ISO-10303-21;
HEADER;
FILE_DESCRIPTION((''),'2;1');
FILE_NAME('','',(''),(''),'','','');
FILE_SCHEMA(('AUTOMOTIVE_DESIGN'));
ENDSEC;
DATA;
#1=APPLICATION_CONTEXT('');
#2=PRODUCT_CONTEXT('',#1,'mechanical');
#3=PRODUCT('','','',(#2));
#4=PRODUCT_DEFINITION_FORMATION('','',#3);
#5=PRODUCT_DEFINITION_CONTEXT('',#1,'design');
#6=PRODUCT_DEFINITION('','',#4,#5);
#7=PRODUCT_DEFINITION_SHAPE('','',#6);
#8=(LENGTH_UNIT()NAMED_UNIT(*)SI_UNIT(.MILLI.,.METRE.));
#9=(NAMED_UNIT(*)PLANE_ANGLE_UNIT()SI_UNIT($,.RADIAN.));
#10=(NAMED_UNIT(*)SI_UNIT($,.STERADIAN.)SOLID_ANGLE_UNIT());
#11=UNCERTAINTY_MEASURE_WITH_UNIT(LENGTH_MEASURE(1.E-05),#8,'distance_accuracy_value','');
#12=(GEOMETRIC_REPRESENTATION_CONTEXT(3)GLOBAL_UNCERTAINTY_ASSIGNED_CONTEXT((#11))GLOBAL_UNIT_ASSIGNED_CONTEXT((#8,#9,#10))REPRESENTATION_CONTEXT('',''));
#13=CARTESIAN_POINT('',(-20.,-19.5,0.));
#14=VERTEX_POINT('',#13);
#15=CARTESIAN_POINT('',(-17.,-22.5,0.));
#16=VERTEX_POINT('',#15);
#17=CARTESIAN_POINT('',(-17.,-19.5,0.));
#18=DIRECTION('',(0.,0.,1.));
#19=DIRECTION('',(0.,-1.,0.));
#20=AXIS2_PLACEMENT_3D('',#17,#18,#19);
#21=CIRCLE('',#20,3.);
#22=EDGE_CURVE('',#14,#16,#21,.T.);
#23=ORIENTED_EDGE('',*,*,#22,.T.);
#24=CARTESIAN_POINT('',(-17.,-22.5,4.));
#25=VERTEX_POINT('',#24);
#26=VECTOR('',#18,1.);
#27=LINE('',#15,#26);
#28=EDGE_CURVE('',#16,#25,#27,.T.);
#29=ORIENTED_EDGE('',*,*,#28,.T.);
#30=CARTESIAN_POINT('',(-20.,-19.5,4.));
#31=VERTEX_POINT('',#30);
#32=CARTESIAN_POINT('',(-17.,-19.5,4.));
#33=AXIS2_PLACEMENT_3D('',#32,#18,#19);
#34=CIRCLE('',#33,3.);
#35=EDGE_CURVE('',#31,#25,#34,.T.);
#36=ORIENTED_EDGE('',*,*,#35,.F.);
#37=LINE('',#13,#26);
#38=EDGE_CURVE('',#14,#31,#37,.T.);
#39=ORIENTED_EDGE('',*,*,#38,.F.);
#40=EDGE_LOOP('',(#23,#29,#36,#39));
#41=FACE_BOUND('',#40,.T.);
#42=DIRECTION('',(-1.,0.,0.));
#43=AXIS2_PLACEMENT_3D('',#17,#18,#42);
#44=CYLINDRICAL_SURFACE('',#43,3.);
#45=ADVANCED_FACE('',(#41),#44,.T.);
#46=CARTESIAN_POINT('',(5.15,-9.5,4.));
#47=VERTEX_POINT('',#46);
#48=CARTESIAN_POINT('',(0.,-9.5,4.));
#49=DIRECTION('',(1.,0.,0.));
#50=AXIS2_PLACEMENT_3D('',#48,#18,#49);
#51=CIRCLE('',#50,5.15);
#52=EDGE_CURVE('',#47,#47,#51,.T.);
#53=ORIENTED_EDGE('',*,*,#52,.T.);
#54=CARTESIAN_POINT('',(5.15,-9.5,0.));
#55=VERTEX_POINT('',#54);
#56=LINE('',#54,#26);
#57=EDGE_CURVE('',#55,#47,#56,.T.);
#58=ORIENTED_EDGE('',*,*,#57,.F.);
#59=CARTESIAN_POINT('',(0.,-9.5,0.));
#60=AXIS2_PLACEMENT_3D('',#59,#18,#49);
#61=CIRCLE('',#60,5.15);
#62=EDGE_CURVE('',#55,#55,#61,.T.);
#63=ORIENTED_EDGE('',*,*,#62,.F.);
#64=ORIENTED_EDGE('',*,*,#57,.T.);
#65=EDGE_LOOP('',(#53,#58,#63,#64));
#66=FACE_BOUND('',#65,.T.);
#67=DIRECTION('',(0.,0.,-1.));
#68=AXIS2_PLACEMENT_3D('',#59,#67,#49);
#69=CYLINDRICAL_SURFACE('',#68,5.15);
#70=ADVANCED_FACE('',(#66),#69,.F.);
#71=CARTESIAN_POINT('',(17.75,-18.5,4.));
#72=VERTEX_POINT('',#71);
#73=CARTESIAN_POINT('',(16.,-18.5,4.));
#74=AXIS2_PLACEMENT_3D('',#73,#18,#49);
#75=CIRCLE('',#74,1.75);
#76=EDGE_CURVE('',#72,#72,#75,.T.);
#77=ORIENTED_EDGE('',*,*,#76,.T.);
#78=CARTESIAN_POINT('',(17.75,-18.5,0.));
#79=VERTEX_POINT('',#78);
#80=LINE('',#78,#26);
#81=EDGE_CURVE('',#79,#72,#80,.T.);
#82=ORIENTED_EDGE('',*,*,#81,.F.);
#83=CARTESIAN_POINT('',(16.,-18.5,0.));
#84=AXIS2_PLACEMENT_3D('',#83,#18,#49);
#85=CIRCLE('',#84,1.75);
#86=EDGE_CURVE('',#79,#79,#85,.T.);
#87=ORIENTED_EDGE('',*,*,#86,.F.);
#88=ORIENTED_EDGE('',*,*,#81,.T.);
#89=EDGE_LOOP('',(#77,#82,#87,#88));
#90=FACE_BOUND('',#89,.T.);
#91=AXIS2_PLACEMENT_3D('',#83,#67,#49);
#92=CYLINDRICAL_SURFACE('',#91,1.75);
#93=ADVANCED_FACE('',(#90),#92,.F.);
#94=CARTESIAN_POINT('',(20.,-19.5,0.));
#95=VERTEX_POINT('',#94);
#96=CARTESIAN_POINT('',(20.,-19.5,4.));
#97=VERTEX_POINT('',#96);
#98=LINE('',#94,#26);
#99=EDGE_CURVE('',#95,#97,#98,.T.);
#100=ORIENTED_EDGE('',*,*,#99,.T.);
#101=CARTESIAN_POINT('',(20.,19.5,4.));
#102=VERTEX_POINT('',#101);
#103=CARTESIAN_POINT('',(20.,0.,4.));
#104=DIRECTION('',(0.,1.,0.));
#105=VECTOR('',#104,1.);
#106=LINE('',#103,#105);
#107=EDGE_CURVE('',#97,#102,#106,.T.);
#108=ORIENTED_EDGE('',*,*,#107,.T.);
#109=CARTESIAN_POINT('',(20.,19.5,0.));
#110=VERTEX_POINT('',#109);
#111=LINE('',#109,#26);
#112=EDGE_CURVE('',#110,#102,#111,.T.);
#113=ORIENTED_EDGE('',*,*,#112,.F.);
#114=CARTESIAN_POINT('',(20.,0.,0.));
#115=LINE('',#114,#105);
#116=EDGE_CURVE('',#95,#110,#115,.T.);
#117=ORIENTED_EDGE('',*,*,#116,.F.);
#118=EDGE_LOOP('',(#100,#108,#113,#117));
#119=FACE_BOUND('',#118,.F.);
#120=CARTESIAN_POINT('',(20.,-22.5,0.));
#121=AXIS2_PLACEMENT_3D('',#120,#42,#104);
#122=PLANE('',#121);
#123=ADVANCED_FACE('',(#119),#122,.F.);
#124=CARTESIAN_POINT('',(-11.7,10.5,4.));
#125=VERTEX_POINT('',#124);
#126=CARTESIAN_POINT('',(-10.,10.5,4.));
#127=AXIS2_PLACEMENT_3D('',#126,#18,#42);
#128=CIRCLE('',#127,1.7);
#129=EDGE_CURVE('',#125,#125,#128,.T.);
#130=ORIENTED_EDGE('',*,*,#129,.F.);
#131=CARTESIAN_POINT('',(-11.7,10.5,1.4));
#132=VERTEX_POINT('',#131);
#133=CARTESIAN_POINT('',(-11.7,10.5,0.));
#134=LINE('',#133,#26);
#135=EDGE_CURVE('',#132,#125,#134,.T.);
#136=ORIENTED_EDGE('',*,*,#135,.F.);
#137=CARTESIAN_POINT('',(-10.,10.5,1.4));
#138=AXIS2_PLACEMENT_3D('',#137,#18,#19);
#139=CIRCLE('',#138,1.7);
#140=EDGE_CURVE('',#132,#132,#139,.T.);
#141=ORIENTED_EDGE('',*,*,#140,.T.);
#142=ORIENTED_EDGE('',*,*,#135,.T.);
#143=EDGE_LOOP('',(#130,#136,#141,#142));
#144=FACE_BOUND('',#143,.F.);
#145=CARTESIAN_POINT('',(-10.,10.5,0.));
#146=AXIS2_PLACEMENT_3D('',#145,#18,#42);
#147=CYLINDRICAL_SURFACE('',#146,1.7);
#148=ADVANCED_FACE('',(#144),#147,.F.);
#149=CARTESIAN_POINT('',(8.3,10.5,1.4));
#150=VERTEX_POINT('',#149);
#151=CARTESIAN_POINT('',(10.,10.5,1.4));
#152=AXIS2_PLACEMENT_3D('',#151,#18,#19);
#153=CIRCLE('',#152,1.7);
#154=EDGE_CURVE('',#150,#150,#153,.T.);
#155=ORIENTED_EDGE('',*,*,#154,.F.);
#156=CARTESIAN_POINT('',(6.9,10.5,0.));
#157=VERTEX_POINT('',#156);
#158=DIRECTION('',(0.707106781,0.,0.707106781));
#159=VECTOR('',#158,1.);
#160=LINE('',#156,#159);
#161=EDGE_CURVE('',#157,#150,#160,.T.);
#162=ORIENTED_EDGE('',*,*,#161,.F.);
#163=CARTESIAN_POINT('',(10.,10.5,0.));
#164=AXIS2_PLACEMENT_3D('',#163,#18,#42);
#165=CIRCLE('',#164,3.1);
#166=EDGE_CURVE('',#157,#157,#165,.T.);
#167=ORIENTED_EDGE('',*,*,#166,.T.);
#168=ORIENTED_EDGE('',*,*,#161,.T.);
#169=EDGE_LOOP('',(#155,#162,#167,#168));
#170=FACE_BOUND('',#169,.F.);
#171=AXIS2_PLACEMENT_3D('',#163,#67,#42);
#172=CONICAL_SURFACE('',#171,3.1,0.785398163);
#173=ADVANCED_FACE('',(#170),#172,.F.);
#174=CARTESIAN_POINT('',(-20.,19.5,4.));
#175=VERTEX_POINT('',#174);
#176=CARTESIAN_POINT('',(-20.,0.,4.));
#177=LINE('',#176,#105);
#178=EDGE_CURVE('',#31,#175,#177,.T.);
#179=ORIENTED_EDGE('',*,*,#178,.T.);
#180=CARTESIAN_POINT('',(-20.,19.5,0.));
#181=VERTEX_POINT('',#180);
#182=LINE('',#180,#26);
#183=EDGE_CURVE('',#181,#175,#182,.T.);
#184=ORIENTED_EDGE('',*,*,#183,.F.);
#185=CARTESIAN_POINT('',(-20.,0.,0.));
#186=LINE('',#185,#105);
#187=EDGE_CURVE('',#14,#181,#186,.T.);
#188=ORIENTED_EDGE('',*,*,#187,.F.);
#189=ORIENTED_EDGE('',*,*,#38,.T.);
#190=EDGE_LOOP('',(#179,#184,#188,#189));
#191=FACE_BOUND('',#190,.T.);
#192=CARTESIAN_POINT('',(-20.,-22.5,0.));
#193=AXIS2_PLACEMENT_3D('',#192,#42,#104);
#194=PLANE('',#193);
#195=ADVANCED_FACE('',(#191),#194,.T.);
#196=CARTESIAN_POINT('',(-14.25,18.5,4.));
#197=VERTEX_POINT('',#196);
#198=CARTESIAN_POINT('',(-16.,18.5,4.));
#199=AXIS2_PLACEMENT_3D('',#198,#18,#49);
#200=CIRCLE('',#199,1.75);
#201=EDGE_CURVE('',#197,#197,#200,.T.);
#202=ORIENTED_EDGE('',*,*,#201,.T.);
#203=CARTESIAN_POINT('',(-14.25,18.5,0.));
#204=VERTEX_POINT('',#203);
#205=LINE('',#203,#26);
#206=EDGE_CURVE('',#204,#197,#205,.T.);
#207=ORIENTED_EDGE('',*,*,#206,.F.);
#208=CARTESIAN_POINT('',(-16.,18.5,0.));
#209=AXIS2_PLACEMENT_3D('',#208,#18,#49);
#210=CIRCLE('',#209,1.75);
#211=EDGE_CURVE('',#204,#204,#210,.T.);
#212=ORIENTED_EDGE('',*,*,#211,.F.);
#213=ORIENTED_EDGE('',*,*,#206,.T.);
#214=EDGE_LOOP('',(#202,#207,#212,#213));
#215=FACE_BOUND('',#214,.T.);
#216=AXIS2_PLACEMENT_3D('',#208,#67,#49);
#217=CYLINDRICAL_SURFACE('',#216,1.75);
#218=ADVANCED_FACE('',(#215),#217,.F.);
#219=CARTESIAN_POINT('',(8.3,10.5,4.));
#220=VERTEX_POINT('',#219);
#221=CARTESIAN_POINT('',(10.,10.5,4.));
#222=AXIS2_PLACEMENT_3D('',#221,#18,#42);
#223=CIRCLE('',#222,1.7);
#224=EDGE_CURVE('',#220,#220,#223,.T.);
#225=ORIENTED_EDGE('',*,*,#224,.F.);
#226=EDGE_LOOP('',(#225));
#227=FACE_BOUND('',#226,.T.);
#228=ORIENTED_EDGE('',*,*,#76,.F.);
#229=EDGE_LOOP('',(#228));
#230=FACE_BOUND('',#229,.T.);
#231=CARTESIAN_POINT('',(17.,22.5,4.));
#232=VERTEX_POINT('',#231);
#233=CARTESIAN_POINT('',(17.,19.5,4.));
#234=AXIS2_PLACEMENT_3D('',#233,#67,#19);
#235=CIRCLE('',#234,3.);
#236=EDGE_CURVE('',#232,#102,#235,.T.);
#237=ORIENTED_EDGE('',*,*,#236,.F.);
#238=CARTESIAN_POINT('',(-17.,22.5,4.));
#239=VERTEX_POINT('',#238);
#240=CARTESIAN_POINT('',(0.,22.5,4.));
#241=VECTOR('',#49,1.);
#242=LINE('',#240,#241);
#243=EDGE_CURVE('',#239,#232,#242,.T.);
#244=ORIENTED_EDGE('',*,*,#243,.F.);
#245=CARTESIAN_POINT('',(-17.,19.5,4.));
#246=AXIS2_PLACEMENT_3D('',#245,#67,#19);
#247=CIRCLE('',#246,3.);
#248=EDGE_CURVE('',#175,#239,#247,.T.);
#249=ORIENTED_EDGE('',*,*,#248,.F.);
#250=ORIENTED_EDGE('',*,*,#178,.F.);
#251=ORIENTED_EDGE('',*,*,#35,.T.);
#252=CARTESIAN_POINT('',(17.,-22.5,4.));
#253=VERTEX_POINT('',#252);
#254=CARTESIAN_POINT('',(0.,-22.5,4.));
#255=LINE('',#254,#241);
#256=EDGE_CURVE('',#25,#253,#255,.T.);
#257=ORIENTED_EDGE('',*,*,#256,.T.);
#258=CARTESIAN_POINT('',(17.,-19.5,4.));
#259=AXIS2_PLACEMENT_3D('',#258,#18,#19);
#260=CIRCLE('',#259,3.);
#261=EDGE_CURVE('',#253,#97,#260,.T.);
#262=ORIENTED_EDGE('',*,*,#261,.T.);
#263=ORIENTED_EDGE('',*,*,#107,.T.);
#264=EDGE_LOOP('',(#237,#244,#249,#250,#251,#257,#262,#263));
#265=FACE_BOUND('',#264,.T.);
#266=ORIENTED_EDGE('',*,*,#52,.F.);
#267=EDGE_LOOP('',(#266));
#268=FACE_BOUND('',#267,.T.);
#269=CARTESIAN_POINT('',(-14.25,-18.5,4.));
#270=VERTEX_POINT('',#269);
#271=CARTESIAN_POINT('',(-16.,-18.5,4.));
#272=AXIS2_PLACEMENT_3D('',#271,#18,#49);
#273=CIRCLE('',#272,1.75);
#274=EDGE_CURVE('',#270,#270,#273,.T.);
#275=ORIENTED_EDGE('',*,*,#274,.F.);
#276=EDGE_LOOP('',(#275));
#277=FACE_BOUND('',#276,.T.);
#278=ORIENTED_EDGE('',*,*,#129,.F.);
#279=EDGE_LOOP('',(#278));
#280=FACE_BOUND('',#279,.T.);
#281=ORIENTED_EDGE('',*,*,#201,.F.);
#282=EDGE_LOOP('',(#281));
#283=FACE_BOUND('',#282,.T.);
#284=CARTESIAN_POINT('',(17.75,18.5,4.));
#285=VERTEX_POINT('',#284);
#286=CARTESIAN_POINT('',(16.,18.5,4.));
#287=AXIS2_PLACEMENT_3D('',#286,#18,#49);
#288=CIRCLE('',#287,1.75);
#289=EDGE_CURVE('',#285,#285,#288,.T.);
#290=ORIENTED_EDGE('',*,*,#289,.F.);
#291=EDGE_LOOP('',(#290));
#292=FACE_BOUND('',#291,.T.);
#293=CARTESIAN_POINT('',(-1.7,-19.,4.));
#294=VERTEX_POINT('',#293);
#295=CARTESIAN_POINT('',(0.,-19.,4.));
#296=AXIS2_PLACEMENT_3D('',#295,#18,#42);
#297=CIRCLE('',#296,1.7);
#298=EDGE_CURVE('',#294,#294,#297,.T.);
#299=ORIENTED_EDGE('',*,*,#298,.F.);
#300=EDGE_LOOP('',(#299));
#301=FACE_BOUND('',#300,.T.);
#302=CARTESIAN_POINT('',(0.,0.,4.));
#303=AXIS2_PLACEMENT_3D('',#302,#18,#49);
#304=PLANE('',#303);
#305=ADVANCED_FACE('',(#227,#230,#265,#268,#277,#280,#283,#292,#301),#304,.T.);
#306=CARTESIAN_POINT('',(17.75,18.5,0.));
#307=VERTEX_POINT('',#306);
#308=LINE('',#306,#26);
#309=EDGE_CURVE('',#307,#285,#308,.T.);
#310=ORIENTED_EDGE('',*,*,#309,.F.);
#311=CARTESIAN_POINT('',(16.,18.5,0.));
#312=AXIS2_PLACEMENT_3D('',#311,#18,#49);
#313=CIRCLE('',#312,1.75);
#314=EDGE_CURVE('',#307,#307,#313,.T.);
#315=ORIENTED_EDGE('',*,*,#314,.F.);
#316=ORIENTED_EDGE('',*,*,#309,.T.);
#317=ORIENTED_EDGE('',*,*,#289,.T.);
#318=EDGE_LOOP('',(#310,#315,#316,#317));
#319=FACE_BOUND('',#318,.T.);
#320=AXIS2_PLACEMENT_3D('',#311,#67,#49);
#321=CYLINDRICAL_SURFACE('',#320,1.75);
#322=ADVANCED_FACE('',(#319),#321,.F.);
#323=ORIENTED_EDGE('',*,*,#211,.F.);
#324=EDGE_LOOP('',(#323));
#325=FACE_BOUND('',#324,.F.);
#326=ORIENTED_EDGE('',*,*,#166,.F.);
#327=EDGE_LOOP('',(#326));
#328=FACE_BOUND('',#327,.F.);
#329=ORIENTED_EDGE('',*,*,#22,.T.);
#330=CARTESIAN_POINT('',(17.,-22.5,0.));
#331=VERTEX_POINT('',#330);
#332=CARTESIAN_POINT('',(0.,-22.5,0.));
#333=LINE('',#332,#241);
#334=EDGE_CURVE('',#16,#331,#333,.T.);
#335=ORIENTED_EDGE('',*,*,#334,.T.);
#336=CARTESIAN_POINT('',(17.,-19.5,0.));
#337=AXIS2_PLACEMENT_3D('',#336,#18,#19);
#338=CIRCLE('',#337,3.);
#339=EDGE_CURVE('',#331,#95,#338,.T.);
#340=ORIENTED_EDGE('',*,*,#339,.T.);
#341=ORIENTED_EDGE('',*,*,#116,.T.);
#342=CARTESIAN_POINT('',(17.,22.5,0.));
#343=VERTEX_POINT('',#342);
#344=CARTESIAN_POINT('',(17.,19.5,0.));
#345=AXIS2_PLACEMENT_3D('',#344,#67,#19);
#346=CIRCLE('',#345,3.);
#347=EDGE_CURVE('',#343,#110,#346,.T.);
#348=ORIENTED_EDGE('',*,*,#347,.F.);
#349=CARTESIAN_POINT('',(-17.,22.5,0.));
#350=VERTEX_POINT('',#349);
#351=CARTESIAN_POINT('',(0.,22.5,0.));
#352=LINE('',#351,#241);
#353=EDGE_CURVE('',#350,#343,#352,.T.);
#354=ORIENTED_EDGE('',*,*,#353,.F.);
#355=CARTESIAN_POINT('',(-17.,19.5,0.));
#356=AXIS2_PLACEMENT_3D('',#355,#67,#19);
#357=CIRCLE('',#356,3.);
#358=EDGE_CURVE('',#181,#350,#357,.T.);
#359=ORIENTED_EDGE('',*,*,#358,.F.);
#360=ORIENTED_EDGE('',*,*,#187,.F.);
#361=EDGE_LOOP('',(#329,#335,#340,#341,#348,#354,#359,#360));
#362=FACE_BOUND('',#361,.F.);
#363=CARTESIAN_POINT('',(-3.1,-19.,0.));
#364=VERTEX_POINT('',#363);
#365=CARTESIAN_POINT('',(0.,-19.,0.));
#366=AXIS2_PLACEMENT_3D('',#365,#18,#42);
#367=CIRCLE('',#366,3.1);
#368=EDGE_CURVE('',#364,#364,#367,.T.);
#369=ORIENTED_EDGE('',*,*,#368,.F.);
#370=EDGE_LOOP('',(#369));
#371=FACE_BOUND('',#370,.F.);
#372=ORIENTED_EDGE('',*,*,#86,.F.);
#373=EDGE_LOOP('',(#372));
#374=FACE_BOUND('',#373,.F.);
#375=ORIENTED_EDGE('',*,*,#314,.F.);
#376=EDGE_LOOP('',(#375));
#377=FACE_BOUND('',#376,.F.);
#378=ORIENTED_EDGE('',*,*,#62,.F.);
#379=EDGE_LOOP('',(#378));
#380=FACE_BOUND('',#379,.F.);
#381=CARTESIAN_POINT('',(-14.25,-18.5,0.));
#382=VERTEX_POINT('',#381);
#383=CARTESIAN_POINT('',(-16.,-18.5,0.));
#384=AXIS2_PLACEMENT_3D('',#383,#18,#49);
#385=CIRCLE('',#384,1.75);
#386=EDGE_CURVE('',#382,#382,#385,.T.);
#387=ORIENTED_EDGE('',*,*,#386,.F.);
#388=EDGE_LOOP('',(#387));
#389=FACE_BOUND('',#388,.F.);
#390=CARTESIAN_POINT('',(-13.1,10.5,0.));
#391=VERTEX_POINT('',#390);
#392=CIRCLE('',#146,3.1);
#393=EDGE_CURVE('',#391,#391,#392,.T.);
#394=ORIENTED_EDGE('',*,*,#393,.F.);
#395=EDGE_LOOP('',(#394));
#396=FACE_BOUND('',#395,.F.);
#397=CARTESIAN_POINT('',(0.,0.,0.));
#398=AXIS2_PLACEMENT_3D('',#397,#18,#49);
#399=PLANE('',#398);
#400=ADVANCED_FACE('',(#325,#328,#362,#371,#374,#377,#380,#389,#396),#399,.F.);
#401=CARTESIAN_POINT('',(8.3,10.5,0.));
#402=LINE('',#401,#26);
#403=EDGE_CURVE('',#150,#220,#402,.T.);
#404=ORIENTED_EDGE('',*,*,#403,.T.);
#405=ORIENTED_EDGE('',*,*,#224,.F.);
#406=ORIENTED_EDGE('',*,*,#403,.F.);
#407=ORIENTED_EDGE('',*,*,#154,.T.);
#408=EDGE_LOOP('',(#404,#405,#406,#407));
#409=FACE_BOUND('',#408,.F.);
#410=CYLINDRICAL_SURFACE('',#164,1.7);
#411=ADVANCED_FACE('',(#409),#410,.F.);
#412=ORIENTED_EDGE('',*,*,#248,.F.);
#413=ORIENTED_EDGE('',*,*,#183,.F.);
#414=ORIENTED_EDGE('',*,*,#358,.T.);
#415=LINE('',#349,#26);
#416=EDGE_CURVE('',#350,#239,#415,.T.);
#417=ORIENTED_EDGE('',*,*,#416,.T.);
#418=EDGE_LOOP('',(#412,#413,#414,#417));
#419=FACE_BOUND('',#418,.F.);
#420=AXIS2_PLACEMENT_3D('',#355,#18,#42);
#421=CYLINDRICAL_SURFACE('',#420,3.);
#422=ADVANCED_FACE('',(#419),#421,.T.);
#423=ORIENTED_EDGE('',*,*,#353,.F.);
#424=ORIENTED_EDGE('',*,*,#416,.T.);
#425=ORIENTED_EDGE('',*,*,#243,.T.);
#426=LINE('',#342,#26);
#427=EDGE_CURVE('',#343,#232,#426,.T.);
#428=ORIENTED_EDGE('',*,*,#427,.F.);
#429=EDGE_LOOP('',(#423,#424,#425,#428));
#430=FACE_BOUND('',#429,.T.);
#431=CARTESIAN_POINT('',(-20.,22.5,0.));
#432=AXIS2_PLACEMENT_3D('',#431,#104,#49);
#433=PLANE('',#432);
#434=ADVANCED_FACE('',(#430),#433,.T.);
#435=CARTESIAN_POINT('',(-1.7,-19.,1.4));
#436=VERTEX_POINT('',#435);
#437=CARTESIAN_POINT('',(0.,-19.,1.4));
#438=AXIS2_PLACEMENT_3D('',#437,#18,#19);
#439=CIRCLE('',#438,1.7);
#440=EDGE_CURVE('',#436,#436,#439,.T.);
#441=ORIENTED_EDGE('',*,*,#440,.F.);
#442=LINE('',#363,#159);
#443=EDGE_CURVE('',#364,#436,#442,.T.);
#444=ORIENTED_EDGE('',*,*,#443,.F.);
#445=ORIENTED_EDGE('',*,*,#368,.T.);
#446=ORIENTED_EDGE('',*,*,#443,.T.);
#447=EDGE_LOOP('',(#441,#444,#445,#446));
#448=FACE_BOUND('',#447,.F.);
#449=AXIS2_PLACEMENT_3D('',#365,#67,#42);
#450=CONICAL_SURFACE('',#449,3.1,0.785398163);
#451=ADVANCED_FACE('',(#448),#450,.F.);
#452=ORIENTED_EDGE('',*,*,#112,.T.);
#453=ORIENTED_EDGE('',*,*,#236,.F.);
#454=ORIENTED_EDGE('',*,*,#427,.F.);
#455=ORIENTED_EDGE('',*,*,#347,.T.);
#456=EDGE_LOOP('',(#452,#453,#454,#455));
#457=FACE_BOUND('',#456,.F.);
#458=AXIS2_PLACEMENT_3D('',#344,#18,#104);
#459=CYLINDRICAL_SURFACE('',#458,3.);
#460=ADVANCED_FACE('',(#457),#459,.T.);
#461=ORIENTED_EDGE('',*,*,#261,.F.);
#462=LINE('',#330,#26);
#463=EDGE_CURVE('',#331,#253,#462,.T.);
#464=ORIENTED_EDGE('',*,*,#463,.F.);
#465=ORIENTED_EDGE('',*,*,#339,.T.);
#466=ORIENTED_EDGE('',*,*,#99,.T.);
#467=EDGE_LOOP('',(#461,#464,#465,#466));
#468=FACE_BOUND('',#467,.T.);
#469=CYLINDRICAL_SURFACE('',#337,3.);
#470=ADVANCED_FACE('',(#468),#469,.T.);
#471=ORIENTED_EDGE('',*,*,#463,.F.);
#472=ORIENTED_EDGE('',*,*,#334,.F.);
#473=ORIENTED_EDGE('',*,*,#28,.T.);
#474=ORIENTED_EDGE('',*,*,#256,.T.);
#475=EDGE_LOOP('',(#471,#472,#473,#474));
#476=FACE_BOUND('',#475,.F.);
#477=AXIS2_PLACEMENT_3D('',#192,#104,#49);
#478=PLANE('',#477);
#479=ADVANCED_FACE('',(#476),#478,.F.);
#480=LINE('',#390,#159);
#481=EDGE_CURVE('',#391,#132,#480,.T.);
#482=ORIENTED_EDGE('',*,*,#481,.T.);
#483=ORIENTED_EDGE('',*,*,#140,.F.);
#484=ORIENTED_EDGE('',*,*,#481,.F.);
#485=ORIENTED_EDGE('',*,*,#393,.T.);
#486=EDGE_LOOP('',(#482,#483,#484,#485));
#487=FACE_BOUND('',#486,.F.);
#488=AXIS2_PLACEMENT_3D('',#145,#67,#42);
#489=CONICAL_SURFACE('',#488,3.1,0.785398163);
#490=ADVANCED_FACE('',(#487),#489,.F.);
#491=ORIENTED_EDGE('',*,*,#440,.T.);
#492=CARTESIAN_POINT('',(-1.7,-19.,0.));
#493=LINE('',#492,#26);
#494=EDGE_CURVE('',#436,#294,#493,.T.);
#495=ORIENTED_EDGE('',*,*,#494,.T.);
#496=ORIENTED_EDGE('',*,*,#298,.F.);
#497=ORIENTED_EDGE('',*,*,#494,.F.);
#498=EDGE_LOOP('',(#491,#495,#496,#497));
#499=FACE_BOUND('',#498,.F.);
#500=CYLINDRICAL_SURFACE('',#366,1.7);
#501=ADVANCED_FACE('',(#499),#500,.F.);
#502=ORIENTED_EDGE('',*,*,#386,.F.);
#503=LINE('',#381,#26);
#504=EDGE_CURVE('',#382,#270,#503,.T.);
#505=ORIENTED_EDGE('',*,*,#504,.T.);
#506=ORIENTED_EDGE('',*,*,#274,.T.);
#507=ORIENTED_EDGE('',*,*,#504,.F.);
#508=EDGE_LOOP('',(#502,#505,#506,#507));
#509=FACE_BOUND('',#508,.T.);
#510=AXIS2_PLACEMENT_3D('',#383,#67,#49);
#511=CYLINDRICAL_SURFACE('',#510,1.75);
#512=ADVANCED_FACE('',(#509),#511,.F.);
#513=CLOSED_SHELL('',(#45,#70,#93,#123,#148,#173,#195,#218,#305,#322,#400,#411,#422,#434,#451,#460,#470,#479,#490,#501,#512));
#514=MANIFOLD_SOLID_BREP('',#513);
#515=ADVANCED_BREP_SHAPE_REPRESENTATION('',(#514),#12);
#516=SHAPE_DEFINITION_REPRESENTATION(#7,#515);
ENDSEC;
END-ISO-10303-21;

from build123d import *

# Parameters (mm, degrees)
SKETCH023_W         = 40
SKETCH023_H         = 45
SKETCH023_R         = 1.75
SKETCH023_R_2       = 5.15
SKETCH023_R_3       = 1.6
PAD007_DEPTH        = 4
FILLET005_R         = 3
HOLE001_D           = 3.4
HOLE001_DEPTH       = 25
HOLE001_CSINK_D     = 6.2
HOLE001_CSINK_ANGLE = 90


with BuildPart() as part:
    # Sketch023 → Pad007 (new body)
    with BuildSketch(Plane.XY):
        Rectangle(SKETCH023_W, SKETCH023_H)
        with Locations((-16, 18.5)):
            Circle(SKETCH023_R, mode=Mode.SUBTRACT)
        with Locations((16, 18.5)):
            Circle(SKETCH023_R, mode=Mode.SUBTRACT)
        with Locations((16, -18.5)):
            Circle(SKETCH023_R, mode=Mode.SUBTRACT)
        with Locations((-16, -18.5)):
            Circle(SKETCH023_R, mode=Mode.SUBTRACT)
        with Locations((0, -9.5)):
            Circle(SKETCH023_R_2, mode=Mode.SUBTRACT)
        with Locations((0, -19)):
            Circle(SKETCH023_R_3, mode=Mode.SUBTRACT)
        with Locations((-10, 10.5)):
            Circle(SKETCH023_R_3, mode=Mode.SUBTRACT)
        with Locations((10, 10.5)):
            Circle(SKETCH023_R_3, mode=Mode.SUBTRACT)
    extrude(amount=PAD007_DEPTH)

    # Fillet005
    fillet005_edges = [part.edges().sort_by_distance(p)[0] for p in [
        (20, 22.5, 2),
        (-20, -22.5, 2),
        (-20, 22.5, 2),
        (20, -22.5, 2),
    ]]
    fillet(fillet005_edges, radius=FILLET005_R)

    # Hole001
    with Locations(Plane(origin=(0, 0, 0), x_dir=(1, 0, 0), z_dir=(0, 0, -1))):
        with Locations((0, 19), (10, -10.5), (-10, -10.5)):
            CounterSinkHole(HOLE001_D / 2, HOLE001_CSINK_D / 2, depth=HOLE001_DEPTH, counter_sink_angle=HOLE001_CSINK_ANGLE)


solid = part.part
